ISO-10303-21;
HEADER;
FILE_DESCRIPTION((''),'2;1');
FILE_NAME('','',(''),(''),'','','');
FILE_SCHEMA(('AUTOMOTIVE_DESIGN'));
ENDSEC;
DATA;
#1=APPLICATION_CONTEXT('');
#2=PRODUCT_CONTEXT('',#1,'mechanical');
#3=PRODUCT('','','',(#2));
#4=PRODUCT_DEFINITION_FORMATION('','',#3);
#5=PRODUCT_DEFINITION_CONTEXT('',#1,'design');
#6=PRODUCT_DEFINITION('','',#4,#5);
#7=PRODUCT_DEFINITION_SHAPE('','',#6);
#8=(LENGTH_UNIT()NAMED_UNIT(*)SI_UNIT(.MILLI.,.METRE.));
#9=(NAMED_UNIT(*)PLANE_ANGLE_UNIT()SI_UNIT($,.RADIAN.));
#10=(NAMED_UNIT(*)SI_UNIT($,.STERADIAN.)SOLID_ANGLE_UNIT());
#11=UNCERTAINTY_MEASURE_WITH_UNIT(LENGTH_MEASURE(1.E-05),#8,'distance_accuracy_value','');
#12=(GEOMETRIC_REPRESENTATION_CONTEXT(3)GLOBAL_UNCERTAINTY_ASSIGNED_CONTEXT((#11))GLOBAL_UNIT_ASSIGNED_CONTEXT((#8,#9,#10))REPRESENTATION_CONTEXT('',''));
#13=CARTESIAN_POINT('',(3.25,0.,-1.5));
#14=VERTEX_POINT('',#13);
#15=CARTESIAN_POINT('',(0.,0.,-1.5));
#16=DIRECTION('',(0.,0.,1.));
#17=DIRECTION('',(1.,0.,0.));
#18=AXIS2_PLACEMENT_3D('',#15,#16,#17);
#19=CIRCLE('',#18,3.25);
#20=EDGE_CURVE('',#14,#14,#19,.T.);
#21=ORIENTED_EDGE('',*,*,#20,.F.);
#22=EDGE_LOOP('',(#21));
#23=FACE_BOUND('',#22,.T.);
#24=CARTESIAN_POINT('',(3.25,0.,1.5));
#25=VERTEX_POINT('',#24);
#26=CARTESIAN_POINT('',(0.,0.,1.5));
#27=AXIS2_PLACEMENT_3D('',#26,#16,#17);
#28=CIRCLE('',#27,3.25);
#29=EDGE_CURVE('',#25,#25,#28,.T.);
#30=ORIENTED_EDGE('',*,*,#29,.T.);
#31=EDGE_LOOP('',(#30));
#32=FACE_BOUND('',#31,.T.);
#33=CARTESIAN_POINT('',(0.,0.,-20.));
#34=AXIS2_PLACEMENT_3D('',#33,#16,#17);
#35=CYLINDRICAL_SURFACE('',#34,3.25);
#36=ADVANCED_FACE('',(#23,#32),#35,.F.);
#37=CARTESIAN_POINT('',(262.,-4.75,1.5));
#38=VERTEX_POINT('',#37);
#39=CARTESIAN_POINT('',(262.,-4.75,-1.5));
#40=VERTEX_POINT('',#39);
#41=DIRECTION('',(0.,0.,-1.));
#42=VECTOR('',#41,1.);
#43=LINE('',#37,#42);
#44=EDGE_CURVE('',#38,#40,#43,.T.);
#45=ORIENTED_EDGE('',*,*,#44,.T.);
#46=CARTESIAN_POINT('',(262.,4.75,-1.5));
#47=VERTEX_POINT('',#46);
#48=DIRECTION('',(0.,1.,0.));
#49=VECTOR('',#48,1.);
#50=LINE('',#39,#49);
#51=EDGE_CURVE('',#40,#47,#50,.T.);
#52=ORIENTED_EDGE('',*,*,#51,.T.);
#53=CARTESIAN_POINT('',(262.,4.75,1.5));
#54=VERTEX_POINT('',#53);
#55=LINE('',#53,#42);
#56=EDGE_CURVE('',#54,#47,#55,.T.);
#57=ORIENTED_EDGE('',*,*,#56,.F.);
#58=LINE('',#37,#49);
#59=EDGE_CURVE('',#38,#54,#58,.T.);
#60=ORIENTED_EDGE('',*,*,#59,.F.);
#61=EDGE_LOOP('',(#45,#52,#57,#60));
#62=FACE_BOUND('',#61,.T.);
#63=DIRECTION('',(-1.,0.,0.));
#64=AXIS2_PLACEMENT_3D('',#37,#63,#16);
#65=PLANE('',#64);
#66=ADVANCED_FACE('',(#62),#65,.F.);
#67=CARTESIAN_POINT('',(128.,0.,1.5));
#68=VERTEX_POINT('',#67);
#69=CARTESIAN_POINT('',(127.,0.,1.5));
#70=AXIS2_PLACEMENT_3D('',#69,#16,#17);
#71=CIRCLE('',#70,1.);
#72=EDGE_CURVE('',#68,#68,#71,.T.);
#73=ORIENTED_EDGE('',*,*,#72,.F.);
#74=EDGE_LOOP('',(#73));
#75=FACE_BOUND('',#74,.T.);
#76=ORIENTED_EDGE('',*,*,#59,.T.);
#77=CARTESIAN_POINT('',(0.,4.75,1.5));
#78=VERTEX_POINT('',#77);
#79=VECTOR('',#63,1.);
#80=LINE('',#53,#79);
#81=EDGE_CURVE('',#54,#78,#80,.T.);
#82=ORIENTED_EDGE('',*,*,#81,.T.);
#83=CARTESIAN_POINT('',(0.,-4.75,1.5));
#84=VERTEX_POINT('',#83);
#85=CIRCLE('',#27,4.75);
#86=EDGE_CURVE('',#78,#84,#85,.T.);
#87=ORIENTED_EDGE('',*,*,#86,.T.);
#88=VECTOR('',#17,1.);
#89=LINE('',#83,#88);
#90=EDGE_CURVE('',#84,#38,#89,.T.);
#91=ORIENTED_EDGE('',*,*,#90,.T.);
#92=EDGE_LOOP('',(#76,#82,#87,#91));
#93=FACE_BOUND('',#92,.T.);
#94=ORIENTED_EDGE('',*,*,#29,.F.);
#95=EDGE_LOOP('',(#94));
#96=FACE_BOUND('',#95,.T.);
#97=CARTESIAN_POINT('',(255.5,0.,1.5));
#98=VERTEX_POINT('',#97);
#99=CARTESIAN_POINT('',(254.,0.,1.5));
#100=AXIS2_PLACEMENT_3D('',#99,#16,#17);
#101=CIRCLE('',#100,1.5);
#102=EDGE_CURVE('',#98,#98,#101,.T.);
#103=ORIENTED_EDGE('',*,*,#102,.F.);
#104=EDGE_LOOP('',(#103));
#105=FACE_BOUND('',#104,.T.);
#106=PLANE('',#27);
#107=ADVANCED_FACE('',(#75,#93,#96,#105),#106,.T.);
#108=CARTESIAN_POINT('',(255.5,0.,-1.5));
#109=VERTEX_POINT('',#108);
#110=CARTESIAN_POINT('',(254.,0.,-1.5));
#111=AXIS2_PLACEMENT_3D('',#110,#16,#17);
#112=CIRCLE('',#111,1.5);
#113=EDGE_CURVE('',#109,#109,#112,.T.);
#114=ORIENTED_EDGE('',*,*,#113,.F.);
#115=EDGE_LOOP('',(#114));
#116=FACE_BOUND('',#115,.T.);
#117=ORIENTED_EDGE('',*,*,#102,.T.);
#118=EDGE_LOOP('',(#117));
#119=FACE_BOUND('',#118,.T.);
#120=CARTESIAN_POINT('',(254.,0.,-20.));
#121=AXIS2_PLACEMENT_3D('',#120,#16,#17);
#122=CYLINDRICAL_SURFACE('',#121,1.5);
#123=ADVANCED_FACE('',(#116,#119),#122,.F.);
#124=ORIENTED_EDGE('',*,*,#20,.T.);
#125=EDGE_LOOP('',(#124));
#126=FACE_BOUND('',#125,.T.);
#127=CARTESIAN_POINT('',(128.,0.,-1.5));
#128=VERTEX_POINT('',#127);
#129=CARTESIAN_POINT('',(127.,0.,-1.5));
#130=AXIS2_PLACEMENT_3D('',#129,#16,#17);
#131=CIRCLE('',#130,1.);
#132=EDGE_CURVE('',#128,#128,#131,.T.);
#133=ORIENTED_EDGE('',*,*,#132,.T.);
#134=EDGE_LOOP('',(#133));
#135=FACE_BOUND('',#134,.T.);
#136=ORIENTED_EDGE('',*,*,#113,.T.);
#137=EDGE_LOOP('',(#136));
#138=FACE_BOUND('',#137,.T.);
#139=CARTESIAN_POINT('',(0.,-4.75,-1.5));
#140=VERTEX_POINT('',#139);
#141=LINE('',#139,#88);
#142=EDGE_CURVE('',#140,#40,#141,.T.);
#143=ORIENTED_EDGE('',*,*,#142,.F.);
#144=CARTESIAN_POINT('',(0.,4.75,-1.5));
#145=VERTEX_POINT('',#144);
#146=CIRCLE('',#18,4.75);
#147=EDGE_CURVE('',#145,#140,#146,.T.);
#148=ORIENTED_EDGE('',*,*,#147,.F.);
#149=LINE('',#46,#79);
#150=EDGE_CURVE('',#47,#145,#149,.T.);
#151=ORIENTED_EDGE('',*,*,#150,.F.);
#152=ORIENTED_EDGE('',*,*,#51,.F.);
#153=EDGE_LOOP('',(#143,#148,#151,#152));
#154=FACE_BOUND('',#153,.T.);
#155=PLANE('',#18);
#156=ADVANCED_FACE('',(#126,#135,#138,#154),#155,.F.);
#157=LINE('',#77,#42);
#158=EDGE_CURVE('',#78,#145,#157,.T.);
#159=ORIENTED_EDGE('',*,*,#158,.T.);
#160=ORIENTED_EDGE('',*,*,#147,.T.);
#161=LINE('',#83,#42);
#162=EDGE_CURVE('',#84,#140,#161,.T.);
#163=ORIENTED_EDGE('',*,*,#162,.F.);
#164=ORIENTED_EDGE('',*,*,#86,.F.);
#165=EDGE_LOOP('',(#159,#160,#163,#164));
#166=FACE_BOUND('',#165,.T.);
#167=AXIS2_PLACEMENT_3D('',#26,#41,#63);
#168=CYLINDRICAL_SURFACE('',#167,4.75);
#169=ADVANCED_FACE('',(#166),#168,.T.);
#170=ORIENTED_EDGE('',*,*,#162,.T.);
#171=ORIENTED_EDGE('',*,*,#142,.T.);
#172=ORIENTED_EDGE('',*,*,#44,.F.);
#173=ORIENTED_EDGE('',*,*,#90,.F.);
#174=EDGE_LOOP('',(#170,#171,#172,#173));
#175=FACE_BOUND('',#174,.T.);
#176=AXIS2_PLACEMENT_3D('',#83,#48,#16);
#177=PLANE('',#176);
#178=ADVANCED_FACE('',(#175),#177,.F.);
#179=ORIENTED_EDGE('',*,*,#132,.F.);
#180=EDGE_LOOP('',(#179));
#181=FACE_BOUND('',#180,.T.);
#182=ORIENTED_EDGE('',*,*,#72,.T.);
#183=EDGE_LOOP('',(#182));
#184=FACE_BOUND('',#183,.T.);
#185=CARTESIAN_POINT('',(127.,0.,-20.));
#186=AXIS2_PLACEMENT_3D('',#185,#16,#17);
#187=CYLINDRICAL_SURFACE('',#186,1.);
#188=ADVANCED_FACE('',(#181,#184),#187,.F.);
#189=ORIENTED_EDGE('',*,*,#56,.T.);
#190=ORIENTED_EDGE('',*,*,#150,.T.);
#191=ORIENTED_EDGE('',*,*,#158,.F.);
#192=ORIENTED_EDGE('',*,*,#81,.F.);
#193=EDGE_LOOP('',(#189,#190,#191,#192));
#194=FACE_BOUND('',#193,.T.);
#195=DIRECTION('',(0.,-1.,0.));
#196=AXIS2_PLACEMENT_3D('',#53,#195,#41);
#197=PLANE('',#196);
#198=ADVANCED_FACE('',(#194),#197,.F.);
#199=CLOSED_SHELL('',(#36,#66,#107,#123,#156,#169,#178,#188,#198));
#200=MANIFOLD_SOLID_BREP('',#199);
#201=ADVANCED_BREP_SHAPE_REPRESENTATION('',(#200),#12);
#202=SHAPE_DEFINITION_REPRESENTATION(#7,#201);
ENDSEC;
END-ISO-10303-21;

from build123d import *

# Parameters (mm, degrees)
BOSS_EXTRUDE1_DEPTH = 1.5
SKETCH2_R           = 3.25
SKETCH2_R_2         = 1
SKETCH2_R_3         = 1.5
CUT_EXTRUDE1_DEPTH  = 20


with BuildPart() as part:
    # Sketch1 → Boss-Extrude1 (new, symmetric)
    with BuildSketch(Plane.XY):
        with BuildLine():
            Line((0, -4.75), (262, -4.75))
            Line((262, -4.75), (262, 4.75))
            Line((262, 4.75), (0, 4.75))
            ThreePointArc((0, 4.75), (-4.75, 0), (0, -4.75))
        make_face()
    extrude(amount=BOSS_EXTRUDE1_DEPTH, both=True)

    # Sketch2 → Cut-Extrude1 (cut, symmetric)
    with BuildSketch(Plane.XY):
        Circle(SKETCH2_R)
        with Locations((127, 0)):
            Circle(SKETCH2_R_2)
        with Locations((254, 0)):
            Circle(SKETCH2_R_3)
    extrude(amount=CUT_EXTRUDE1_DEPTH, both=True, mode=Mode.SUBTRACT)


solid = part.part
